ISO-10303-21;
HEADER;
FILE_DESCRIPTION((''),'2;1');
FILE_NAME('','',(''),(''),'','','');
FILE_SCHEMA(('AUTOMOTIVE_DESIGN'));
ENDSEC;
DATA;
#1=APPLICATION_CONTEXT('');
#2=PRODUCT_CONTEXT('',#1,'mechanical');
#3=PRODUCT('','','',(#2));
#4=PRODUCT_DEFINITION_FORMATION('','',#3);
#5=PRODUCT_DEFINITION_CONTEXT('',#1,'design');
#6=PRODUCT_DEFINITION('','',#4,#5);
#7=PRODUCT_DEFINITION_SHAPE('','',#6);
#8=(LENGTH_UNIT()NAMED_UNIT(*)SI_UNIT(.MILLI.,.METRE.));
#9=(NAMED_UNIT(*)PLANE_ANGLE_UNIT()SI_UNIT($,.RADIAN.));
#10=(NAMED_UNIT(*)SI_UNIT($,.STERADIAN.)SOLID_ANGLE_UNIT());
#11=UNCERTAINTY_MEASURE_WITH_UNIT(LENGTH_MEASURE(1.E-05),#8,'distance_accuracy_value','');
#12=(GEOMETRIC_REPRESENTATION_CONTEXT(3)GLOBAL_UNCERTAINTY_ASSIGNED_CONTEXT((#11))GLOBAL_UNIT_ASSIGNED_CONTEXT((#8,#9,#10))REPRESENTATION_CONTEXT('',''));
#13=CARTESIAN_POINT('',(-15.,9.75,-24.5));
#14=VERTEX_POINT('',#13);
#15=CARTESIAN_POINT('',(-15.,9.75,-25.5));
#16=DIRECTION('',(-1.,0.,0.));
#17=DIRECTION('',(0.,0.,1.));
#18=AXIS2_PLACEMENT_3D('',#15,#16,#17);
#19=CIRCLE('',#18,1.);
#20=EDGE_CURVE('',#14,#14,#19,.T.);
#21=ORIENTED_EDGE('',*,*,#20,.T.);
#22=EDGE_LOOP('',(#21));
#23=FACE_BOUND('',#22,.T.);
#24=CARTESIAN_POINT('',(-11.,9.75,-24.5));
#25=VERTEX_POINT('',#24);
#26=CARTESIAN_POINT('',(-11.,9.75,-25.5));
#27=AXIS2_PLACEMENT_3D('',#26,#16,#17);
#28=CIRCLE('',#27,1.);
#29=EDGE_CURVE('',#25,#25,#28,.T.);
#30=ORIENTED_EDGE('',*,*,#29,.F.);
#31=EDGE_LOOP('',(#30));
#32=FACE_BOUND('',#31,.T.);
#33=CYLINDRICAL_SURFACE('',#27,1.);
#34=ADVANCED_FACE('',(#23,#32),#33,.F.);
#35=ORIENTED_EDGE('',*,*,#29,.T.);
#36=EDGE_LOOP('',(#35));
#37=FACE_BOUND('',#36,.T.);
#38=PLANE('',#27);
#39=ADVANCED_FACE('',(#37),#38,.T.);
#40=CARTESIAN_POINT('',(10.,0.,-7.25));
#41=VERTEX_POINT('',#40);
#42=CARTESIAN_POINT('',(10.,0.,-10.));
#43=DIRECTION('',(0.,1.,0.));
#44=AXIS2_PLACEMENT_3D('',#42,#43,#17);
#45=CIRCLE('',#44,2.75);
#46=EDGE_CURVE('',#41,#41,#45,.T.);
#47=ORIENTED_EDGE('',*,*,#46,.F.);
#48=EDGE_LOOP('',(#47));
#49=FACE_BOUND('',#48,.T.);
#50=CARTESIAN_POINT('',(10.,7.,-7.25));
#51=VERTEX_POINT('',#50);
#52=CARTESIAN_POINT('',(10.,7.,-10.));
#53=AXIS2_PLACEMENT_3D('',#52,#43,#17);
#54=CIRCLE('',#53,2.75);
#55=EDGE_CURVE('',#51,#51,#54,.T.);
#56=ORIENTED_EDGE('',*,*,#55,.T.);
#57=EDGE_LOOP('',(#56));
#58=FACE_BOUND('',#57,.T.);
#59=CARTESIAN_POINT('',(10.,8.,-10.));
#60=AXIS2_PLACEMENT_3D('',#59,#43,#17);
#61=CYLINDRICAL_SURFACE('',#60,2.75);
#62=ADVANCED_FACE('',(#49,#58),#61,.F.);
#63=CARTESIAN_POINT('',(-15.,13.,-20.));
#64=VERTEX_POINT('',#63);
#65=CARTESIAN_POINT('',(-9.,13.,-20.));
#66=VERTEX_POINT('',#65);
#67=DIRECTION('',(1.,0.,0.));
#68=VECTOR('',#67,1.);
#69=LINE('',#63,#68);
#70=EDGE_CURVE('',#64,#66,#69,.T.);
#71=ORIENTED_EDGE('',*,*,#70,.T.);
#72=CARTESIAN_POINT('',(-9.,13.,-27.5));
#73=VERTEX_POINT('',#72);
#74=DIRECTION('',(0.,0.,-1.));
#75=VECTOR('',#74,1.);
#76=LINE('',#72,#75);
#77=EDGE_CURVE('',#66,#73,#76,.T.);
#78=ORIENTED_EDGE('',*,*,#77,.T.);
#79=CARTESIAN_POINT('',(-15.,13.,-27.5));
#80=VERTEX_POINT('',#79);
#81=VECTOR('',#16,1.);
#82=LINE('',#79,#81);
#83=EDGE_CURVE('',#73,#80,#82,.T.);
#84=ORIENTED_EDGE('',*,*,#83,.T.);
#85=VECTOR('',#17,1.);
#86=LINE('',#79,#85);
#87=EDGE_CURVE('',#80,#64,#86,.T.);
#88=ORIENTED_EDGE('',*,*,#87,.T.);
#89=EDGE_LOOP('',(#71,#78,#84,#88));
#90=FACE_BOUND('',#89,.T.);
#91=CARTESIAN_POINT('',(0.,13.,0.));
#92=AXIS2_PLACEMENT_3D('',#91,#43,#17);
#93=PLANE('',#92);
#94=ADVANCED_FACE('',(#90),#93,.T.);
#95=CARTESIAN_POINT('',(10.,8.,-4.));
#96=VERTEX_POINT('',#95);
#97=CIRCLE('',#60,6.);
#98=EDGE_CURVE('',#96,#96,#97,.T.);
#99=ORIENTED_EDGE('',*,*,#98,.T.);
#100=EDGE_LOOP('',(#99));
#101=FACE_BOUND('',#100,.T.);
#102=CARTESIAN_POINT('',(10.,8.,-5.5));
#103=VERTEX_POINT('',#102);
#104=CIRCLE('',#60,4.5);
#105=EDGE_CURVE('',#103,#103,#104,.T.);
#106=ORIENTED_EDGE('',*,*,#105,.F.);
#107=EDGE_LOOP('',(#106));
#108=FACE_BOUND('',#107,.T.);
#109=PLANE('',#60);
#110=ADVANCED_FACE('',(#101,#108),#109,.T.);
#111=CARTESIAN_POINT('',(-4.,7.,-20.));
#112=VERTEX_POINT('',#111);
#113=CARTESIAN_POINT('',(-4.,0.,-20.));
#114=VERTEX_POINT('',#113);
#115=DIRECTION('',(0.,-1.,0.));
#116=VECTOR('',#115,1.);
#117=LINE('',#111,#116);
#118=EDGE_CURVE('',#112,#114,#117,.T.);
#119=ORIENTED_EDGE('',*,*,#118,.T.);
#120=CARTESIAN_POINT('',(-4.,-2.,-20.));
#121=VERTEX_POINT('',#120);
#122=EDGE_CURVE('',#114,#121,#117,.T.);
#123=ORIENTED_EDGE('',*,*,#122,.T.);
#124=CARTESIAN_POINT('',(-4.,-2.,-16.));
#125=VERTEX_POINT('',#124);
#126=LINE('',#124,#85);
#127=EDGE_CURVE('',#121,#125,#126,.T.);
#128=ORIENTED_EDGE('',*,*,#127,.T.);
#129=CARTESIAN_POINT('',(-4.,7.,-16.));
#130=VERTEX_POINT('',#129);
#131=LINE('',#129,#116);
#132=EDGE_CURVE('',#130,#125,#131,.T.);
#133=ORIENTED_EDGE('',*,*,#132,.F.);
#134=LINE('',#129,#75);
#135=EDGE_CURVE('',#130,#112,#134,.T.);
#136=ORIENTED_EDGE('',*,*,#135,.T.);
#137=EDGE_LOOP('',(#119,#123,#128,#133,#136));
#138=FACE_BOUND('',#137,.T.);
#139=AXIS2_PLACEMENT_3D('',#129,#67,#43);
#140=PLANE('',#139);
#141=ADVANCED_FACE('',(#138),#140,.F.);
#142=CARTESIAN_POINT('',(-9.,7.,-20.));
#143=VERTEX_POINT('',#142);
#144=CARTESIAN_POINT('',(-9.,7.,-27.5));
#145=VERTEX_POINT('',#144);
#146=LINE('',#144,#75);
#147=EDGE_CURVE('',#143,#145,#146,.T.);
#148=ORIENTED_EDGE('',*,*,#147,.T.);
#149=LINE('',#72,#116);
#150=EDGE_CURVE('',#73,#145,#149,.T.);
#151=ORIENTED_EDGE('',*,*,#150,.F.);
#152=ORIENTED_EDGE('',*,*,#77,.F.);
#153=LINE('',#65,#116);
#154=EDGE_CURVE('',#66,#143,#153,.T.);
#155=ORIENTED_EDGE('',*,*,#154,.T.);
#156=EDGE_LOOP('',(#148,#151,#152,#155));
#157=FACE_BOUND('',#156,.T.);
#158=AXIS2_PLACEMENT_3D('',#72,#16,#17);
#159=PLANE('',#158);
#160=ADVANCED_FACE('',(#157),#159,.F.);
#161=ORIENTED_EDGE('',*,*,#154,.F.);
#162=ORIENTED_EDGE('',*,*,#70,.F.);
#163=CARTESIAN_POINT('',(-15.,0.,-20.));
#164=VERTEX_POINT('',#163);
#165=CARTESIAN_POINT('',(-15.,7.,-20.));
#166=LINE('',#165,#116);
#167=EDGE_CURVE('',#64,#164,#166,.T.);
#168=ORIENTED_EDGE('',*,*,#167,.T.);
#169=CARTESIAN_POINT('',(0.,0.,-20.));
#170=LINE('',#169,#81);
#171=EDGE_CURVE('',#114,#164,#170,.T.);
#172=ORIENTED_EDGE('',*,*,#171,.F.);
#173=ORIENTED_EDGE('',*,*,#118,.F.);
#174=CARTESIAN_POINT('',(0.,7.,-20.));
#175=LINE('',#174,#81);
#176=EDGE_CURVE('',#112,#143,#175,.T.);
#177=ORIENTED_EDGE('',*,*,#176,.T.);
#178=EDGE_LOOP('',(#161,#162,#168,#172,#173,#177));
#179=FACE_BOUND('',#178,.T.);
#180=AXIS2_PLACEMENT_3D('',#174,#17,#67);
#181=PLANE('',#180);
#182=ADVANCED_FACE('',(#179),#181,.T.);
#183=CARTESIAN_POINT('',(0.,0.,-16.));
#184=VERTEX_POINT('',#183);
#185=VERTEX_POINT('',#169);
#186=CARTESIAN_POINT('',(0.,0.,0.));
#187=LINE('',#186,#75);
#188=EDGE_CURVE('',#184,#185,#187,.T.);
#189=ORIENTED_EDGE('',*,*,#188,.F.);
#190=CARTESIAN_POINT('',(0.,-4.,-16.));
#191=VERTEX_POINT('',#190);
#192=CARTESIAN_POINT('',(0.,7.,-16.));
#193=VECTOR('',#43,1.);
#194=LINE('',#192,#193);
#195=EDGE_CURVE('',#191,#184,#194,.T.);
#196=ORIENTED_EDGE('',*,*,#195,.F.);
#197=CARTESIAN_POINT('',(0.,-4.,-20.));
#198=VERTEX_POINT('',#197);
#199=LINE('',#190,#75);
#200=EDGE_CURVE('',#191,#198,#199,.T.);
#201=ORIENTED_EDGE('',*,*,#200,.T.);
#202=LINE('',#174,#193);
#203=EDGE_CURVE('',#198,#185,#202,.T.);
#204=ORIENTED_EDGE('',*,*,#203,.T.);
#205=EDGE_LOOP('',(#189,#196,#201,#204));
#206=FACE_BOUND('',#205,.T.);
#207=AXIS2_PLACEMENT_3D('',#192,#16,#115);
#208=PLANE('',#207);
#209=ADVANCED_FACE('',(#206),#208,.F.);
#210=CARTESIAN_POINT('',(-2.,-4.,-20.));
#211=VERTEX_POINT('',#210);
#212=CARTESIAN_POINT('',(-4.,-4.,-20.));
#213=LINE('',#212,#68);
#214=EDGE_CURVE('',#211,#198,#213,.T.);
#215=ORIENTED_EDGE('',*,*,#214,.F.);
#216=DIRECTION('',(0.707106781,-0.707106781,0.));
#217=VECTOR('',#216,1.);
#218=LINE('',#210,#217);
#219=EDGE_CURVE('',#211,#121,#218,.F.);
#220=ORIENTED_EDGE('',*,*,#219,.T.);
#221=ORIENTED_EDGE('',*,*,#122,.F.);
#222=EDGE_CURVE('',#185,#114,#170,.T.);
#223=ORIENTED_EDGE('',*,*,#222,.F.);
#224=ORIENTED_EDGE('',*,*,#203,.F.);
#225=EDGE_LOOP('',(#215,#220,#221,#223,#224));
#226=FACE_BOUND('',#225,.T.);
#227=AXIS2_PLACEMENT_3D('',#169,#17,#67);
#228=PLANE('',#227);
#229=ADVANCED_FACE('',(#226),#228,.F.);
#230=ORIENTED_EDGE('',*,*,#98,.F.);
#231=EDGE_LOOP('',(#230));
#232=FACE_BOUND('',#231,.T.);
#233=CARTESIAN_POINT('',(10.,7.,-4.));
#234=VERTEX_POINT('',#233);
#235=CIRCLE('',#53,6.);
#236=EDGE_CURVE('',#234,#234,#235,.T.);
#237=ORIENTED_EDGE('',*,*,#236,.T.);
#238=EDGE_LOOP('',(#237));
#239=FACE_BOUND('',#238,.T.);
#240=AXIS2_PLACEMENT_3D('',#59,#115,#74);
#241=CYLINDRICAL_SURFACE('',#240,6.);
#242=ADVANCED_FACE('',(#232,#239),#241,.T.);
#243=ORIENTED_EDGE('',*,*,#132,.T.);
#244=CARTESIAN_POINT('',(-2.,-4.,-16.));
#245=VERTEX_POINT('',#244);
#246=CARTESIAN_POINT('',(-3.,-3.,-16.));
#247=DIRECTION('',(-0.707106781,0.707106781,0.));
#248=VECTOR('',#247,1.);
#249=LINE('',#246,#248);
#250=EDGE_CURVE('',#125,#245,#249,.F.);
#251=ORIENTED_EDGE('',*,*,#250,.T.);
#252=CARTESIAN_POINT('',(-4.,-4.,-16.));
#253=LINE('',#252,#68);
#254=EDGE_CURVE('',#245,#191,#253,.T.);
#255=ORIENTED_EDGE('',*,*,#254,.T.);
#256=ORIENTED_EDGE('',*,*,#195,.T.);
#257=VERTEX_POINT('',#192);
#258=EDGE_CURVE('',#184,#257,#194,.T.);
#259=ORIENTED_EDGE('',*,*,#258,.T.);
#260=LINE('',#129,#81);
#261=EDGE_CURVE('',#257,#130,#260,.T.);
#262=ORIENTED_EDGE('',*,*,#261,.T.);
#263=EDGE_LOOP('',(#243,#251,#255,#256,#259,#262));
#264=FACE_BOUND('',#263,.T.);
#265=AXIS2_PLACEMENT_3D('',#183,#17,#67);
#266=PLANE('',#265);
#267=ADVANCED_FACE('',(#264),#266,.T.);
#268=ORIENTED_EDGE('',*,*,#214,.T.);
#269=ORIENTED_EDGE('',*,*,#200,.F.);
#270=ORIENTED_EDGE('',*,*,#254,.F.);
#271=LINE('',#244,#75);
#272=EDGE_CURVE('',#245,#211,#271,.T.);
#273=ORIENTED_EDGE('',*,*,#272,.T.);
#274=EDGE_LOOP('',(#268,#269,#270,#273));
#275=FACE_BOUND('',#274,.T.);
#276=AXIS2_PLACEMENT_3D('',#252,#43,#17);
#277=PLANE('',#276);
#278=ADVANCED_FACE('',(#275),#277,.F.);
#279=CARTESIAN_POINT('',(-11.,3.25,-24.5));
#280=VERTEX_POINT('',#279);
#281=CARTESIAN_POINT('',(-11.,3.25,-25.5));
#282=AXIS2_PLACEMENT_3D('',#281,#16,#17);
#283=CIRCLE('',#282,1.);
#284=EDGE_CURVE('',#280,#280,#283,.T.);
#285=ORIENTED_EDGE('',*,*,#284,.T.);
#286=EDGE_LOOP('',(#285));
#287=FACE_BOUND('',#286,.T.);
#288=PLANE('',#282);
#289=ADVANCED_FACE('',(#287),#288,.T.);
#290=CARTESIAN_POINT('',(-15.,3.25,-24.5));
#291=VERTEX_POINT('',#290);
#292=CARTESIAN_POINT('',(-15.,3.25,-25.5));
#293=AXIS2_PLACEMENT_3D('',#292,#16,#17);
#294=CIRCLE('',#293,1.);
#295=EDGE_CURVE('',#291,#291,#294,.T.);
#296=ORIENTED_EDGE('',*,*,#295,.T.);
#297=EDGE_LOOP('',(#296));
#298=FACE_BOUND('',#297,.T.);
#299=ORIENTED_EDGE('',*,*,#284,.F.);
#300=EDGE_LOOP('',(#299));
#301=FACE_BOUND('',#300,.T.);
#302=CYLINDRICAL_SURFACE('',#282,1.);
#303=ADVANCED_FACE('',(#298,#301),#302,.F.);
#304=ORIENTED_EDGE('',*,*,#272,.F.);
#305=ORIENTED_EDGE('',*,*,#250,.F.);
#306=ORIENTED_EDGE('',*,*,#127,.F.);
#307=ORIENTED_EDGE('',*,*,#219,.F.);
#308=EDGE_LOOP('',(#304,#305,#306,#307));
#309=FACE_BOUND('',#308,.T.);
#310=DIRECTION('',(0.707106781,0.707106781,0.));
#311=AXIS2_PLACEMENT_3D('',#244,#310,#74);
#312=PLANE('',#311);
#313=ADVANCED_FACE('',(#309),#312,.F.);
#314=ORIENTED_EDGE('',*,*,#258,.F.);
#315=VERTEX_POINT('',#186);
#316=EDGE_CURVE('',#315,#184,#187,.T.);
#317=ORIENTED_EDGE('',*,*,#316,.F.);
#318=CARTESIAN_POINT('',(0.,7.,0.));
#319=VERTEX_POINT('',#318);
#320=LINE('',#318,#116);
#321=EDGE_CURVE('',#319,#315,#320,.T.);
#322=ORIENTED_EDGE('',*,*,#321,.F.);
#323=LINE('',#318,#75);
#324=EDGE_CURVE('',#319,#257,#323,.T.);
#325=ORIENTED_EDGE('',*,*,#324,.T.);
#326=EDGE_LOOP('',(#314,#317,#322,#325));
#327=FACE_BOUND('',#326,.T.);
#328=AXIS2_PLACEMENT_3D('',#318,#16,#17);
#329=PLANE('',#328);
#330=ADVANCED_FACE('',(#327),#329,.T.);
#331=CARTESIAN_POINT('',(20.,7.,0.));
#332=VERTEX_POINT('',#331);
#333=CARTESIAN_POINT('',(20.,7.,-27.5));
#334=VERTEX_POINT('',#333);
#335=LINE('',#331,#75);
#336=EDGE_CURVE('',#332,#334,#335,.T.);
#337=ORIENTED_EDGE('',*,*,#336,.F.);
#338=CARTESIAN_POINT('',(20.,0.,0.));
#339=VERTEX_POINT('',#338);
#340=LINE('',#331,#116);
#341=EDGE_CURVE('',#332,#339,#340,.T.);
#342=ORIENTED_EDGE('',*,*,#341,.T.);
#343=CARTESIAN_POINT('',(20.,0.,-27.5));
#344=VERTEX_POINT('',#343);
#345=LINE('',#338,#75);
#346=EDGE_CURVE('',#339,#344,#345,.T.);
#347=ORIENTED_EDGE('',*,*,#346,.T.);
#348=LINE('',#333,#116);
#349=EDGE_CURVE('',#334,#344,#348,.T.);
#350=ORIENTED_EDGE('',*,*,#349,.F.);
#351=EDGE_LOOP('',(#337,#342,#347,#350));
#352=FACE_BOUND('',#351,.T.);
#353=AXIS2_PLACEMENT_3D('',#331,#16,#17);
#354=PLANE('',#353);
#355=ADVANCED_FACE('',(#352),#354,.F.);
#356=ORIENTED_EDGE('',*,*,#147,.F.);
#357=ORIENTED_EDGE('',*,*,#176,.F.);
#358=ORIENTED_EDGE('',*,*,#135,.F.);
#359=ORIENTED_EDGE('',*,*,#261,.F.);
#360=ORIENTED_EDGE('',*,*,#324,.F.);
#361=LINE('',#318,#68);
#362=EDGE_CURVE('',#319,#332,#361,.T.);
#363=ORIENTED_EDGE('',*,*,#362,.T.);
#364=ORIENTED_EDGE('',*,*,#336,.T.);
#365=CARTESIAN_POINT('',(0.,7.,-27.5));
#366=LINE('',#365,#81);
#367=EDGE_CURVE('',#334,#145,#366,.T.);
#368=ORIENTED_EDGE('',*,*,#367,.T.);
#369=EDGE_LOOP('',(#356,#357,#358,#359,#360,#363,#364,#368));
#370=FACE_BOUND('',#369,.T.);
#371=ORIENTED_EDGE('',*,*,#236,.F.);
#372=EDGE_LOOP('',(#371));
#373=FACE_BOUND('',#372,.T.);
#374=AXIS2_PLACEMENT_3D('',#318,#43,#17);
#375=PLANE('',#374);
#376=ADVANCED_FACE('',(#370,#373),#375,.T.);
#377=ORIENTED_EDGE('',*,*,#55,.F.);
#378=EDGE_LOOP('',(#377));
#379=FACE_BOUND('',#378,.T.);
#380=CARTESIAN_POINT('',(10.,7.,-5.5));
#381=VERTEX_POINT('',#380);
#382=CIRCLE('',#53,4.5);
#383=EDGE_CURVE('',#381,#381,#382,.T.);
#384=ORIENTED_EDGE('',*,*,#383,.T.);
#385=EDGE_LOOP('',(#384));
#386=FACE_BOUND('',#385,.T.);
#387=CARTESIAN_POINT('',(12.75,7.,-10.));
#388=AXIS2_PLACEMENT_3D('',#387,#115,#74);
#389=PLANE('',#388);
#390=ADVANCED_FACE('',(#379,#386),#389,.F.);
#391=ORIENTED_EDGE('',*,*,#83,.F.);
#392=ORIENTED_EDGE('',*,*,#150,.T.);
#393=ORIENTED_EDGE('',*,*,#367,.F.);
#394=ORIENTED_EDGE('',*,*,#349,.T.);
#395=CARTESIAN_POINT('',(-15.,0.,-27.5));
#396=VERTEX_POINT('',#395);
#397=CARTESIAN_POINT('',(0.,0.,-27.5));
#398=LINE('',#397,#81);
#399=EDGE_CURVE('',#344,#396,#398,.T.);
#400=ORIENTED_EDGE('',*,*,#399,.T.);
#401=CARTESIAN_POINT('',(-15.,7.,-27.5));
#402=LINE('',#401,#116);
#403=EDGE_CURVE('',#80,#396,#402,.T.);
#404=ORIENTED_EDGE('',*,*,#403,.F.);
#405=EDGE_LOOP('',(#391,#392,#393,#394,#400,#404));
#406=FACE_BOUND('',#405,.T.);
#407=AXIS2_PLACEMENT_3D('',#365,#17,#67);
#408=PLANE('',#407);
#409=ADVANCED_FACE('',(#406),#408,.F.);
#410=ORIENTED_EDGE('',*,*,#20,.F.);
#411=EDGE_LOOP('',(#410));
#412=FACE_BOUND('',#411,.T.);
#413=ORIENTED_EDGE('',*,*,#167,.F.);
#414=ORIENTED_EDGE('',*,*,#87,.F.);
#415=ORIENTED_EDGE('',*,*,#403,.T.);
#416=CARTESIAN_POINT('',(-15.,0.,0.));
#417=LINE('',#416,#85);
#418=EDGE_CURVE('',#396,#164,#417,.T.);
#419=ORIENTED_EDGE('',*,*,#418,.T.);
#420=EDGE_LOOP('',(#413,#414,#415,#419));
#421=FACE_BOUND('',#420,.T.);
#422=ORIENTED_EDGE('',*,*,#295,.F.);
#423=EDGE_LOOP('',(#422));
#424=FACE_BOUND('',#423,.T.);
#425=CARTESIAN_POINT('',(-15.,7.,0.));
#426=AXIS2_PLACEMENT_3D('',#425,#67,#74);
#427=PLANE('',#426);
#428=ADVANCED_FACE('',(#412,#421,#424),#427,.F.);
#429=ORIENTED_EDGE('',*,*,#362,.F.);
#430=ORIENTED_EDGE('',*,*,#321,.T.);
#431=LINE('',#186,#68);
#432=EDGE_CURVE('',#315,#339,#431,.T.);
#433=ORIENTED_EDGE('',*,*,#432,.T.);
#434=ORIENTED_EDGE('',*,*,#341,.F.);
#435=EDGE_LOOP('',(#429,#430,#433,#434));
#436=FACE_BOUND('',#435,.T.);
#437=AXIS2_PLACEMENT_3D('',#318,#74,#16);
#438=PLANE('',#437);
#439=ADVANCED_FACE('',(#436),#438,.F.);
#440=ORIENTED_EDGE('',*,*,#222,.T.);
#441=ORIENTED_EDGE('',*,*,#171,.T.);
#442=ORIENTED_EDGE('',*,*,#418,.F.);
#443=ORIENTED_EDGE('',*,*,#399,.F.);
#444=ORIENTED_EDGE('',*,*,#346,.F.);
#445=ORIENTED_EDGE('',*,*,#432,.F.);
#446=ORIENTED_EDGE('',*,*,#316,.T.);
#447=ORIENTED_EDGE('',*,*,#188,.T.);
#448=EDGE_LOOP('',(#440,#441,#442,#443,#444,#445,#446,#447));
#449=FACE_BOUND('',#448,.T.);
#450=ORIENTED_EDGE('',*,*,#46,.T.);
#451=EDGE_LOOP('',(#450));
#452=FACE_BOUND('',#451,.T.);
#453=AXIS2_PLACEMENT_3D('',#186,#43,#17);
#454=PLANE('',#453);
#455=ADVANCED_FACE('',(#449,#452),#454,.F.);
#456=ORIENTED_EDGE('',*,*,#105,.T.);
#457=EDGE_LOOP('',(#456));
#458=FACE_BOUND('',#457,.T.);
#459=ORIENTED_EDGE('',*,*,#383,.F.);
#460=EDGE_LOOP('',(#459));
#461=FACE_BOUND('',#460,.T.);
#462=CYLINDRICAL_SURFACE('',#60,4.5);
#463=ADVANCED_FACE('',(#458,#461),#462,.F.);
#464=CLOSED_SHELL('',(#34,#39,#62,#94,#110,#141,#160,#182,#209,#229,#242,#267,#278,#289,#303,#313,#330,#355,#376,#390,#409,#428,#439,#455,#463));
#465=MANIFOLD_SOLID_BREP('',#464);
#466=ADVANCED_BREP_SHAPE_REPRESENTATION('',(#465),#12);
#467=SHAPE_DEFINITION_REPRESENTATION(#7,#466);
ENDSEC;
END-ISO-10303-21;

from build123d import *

# Parameters (mm, degrees)
SKETCH1_W                       = 15
SKETCH1_H                       = 7.5
SKETCH1_W_2                     = 20
SKETCH1_H_2                     = 27.5
BOSS_EXTRUDE1_DEPTH             = 7
SKETCH2_W                       = 6
SKETCH2_H                       = 7.5
BOSS_EXTRUDE2_DEPTH             = 6
SKETCH8_R                       = 6
BOSS_EXTRUDE4_DEPTH             = 1
SKETCH6_R                       = 1
CUT_EXTRUDE1_DEPTH              = 4
SKETCH7_W                       = 4
SKETCH7_H                       = 11
BOSS_EXTRUDE3_DEPTH             = 4
CBORE_FOR_M5_SBHCS2_D           = 5.5
CBORE_FOR_M5_SBHCS2_CBORE_D     = 9
CBORE_FOR_M5_SBHCS2_CBORE_DEPTH = 1
CHAMFER1_SIZE                   = 2


with BuildPart() as part:
    # Sketch1 → Boss-Extrude1 (new body)
    with BuildSketch(Plane(origin=(0, 0, 0), x_dir=(1, 0, 0), z_dir=(0, 1, 0))):
        with Locations((-7.5, 23.75)):
            Rectangle(SKETCH1_W, SKETCH1_H)
        with Locations((10, 13.75)):
            Rectangle(SKETCH1_W_2, SKETCH1_H_2)
    extrude(amount=BOSS_EXTRUDE1_DEPTH)

    # Sketch2 → Boss-Extrude2 (add)
    with BuildSketch(Plane(origin=(0, 7, 0), x_dir=(1, 0, 0), z_dir=(0, 1, 0))):
        with Locations((-12, 23.75)):
            Rectangle(SKETCH2_W, SKETCH2_H)
    extrude(amount=BOSS_EXTRUDE2_DEPTH)

    # Sketch8 → Boss-Extrude4 (add)
    with BuildSketch(Plane(origin=(0, 7, 0), x_dir=(1, 0, 0), z_dir=(0, 1, 0))):
        with Locations((10, 10)):
            Circle(SKETCH8_R)
    extrude(amount=BOSS_EXTRUDE4_DEPTH)

    # Sketch6 → Cut-Extrude1 (cut)
    with BuildSketch(Plane.ZY.offset(15)):
        with Locations((-25.5, 9.75)):
            Circle(SKETCH6_R)
        with Locations((-25.5, 3.25)):
            Circle(SKETCH6_R)
    extrude(amount=-CUT_EXTRUDE1_DEPTH, mode=Mode.SUBTRACT)

    # Sketch7 → Boss-Extrude3 (add)
    with BuildSketch(Plane.XY.offset(-20)):
        with Locations((-2, 1.5)):
            Rectangle(SKETCH7_W, SKETCH7_H)
    extrude(amount=BOSS_EXTRUDE3_DEPTH)

    # CBORE for M5 SBHCS2 (through all)
    with Locations(Plane(origin=(0, 8, 0), x_dir=(1, 0, 0), z_dir=(0, 1, 0))):
        with Locations((10, 10)):
            CounterBoreHole(CBORE_FOR_M5_SBHCS2_D / 2, CBORE_FOR_M5_SBHCS2_CBORE_D / 2, CBORE_FOR_M5_SBHCS2_CBORE_DEPTH)

    # Chamfer1
    chamfer1_edges = [part.edges().sort_by_distance(p)[0] for p in [
        (-4, -4, -18),
    ]]
    chamfer(chamfer1_edges, length=CHAMFER1_SIZE)


solid = part.part
